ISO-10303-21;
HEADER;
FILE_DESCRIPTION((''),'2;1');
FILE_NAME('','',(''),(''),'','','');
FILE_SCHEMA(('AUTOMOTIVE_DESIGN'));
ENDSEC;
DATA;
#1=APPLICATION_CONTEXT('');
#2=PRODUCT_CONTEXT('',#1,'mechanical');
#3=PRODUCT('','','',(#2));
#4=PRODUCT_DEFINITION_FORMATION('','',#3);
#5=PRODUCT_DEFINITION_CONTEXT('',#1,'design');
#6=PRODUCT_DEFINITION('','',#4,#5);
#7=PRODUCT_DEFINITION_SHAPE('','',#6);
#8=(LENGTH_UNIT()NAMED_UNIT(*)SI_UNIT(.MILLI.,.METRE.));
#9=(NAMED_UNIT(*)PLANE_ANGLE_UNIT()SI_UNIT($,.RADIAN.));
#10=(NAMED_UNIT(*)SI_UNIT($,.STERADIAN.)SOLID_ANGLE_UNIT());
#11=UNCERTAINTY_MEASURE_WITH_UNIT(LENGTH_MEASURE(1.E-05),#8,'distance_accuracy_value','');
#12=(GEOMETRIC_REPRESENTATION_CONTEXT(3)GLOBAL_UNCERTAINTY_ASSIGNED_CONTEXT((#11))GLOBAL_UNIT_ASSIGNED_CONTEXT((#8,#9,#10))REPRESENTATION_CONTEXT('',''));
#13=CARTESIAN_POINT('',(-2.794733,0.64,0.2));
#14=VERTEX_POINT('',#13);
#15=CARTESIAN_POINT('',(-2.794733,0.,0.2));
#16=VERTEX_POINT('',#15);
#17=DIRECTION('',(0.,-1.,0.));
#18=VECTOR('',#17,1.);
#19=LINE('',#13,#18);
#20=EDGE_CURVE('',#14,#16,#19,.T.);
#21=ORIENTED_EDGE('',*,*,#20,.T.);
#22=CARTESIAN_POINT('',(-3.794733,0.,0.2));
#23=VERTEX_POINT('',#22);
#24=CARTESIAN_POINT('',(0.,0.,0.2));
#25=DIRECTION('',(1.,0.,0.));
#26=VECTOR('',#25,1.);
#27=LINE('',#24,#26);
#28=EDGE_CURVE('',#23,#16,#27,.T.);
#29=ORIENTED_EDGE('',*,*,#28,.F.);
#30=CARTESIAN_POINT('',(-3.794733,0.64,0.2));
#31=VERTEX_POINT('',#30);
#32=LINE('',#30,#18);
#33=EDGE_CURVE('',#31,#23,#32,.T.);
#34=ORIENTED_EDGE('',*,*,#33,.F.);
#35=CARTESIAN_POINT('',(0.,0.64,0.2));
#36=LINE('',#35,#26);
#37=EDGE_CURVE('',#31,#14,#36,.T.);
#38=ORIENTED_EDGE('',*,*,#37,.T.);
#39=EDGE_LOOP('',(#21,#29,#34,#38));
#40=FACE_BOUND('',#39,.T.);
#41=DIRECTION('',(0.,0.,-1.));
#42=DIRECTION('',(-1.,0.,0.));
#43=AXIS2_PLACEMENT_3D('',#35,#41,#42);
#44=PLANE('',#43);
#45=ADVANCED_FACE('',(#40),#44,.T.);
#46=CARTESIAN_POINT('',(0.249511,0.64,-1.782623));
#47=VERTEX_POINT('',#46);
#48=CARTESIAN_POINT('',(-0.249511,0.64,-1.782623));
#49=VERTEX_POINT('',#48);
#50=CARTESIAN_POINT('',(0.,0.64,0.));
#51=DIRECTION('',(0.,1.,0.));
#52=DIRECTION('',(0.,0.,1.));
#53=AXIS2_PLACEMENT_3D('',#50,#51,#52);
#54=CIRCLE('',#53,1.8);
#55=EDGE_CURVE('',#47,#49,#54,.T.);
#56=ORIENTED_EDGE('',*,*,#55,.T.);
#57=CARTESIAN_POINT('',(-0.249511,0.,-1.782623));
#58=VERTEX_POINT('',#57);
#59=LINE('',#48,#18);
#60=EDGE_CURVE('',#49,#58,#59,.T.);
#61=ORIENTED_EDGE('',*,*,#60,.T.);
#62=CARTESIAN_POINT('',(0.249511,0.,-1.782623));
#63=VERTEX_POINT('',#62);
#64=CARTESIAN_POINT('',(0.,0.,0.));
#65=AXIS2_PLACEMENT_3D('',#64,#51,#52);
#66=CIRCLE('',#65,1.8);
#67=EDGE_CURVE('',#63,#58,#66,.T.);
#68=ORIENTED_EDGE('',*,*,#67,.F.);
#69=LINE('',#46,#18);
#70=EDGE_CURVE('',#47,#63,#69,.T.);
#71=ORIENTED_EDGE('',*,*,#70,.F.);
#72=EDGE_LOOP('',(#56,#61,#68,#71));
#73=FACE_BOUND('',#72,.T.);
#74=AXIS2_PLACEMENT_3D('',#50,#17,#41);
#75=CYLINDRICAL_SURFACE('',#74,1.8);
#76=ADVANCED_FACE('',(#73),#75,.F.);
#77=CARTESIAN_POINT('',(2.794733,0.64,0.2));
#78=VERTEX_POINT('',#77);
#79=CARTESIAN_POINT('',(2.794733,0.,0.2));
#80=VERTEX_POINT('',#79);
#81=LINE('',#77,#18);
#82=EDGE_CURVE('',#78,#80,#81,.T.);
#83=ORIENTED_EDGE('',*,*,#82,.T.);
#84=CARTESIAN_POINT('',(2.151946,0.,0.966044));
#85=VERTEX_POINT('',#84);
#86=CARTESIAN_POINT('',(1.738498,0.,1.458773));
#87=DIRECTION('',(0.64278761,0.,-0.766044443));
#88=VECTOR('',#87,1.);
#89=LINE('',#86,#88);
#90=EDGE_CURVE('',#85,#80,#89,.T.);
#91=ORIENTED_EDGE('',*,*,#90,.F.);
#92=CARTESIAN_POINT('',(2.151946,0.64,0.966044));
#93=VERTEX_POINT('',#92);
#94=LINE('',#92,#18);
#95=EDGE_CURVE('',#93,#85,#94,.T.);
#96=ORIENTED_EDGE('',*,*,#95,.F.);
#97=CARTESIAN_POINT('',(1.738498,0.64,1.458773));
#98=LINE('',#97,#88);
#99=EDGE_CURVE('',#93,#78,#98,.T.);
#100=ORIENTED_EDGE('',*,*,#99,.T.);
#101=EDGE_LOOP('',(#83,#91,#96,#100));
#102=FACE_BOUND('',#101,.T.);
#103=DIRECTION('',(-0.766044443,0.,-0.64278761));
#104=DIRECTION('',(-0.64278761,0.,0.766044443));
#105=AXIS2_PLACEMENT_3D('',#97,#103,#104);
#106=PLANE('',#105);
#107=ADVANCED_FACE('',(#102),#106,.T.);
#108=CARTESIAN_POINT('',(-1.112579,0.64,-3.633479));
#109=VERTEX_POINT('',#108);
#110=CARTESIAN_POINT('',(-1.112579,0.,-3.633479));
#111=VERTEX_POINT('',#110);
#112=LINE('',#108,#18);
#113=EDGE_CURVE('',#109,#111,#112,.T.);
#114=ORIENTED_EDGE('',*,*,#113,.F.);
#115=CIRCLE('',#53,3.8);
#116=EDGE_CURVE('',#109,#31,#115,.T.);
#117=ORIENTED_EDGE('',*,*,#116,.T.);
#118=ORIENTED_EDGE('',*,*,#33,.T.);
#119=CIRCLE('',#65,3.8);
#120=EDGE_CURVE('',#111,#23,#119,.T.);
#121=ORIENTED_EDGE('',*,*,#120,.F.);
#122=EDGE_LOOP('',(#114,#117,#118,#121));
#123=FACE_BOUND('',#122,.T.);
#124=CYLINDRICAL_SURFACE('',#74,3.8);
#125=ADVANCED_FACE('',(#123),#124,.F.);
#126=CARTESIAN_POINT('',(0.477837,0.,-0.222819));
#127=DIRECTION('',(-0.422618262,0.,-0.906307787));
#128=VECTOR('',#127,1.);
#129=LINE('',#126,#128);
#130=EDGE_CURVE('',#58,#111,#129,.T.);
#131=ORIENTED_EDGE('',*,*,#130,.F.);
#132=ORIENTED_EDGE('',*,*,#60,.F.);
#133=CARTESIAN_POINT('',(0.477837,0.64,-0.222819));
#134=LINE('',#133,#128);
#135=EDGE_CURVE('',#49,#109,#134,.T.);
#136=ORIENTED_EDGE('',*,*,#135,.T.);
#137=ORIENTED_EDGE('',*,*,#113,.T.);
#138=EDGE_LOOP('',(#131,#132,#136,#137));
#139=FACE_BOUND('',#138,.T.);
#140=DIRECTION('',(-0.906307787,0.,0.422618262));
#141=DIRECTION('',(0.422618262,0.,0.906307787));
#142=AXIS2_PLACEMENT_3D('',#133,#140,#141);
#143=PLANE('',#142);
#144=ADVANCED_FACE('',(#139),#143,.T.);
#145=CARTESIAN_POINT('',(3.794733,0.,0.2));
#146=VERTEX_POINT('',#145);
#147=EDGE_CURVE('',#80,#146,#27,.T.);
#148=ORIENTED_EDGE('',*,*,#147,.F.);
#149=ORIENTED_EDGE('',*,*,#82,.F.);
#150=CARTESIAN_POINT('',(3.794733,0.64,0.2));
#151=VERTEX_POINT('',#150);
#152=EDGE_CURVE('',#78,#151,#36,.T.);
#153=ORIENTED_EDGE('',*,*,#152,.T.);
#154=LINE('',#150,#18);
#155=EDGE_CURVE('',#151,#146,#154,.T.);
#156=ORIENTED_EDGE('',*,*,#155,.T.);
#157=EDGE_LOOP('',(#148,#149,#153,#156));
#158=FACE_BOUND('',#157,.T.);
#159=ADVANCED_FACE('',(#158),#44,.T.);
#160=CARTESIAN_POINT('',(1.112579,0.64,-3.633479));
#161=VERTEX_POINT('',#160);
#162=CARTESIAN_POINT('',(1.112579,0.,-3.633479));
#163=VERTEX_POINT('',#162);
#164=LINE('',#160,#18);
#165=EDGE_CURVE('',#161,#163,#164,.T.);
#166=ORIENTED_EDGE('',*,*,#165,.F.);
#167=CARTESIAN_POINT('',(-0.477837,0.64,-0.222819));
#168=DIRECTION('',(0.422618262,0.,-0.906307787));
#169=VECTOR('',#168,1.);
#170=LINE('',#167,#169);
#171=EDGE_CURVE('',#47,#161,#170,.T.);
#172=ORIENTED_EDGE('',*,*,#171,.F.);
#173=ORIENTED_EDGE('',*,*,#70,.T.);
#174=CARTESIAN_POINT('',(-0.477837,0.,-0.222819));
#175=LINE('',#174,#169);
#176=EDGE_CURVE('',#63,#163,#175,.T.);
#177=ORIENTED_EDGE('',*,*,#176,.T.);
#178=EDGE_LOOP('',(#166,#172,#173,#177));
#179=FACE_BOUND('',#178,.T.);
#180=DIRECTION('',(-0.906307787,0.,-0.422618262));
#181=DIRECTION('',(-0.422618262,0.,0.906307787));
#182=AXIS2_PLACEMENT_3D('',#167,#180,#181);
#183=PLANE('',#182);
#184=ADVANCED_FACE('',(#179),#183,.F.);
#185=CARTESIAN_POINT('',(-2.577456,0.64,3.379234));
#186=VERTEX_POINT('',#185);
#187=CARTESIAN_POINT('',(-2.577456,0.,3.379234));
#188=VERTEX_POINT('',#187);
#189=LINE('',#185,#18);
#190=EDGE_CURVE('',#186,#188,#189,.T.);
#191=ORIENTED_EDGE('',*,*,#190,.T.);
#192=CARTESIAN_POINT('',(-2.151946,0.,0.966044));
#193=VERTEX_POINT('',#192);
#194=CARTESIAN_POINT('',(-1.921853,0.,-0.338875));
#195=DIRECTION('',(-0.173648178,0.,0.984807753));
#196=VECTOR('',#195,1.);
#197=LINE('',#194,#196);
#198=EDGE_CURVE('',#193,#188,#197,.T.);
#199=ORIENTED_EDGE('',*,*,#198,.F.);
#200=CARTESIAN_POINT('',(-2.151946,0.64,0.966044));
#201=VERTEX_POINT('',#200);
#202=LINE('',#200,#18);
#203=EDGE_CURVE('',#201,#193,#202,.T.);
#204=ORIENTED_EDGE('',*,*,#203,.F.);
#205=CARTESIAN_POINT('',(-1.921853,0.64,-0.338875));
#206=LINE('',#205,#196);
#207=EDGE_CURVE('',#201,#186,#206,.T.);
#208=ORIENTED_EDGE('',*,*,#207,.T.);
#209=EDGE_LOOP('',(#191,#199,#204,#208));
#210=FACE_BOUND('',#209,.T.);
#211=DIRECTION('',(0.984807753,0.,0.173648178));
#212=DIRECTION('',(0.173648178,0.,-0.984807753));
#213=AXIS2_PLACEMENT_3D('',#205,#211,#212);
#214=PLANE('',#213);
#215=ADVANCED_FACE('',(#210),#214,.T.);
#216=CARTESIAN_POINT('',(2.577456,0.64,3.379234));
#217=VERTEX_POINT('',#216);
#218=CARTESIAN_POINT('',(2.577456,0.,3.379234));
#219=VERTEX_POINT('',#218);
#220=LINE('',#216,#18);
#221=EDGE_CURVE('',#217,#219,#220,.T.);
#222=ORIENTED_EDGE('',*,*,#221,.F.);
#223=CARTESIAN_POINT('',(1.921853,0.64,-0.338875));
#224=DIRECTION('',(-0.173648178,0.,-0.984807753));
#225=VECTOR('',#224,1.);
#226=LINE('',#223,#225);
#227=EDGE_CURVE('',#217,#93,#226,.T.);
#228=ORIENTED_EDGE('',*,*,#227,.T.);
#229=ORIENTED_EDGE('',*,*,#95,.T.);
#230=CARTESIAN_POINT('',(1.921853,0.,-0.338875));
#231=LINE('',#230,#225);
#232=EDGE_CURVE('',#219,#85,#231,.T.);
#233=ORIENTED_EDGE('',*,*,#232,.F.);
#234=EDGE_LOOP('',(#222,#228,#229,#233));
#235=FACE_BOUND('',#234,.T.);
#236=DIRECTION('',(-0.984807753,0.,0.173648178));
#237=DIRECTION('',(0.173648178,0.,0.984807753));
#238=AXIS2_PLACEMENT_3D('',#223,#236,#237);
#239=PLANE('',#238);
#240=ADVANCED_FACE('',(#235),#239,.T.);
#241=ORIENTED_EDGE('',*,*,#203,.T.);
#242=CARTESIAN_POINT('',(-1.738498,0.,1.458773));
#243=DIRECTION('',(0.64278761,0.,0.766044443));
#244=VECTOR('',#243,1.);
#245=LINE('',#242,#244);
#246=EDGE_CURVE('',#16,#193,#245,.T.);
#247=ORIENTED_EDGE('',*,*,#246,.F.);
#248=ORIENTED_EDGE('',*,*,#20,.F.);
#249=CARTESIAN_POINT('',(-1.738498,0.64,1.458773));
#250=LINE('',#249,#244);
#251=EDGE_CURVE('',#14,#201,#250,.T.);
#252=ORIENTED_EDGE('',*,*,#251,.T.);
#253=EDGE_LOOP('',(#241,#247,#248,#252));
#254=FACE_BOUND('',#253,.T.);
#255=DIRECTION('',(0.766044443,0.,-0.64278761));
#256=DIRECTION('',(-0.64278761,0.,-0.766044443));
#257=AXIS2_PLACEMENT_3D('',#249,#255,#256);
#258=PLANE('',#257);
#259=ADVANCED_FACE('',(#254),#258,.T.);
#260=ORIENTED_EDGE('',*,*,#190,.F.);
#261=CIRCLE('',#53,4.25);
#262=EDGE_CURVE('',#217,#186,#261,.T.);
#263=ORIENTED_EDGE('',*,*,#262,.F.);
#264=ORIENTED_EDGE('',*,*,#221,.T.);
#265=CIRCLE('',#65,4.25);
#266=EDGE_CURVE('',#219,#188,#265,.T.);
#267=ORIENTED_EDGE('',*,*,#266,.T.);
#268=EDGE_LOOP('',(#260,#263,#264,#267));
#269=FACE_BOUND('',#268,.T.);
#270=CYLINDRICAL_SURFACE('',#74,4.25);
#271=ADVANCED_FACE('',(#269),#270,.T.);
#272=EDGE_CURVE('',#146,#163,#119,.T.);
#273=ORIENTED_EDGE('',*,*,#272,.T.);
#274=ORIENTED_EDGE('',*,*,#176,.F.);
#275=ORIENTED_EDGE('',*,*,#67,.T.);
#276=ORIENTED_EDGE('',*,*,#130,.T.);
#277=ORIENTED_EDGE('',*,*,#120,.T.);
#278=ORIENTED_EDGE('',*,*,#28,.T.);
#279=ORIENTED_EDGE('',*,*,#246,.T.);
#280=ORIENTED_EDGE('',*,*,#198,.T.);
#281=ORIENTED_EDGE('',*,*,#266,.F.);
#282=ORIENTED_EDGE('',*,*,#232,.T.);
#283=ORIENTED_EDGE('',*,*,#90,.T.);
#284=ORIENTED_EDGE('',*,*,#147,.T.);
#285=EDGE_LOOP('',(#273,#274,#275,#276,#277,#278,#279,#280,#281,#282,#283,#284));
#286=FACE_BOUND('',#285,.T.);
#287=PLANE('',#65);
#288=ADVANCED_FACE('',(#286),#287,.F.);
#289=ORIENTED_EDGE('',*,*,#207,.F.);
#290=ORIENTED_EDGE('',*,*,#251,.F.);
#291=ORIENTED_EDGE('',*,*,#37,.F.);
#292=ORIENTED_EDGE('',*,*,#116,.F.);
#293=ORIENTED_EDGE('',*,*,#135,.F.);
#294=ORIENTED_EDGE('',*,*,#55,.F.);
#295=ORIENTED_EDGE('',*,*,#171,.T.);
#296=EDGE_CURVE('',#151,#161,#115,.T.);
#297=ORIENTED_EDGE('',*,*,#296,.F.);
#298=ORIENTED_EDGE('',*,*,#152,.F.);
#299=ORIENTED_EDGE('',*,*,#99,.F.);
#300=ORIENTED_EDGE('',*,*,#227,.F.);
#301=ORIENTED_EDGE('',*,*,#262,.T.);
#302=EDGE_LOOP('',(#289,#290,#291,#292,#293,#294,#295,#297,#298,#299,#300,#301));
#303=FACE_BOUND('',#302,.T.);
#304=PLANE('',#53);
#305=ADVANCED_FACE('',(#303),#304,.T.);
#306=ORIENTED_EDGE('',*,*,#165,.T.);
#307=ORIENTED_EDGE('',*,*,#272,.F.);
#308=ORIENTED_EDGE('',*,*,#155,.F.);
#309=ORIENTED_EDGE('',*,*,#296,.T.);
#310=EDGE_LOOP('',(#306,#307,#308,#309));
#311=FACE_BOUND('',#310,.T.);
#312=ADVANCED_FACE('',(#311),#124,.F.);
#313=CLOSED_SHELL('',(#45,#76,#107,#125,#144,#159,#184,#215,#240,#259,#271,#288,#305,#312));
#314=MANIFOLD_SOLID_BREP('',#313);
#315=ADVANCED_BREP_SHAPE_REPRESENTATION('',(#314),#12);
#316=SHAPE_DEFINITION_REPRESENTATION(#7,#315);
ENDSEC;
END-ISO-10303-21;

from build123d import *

# Parameters (mm, degrees)
BOSS_EXTRUDE1_DEPTH = 0.64


with BuildPart() as part:
    # Sketch1 → Boss-Extrude1 (new body)
    with BuildSketch(Plane(origin=(0, 0, 0), x_dir=(1, 0, 0), z_dir=(0, 1, 0))):
        with BuildLine():
            Line((-1.112579474, 3.633478624), (-0.249511241, 1.782622826))
            ThreePointArc((-0.249511241, 1.782622826), (0, 1.8), (0.249511241, 1.782622826))
            Line((0.249511241, 1.782622826), (1.112579474, 3.633478624))
            ThreePointArc((1.112579474, 3.633478624), (2.774739275, 2.596309295), (3.699307386, 0.868979208))
            ThreePointArc((3.699307386, 0.868979208), (3.784949165, 0.337875445), (3.794733192, -0.2))
            Line((3.794733192, -0.2), (2.794733192, -0.2))
            Line((2.794733192, -0.2), (2.151945583, -0.966044443))
            Line((2.151945583, -0.966044443), (2.57594692, -3.370675522))
            Line((2.57594692, -3.370675522), (2.577455967, -3.37923375))
            ThreePointArc((2.577455967, -3.37923375), (0, 4.25), (-2.577455967, -3.37923375))
            Line((-2.577455967, -3.37923375), (-2.576768139, -3.375332886))
            Line((-2.576768139, -3.375332886), (-2.151945583, -0.966044443))
            Line((-2.151945583, -0.966044443), (-2.794733192, -0.2))
            Line((-2.794733192, -0.2), (-3.794733192, -0.2))
            ThreePointArc((-3.794733192, -0.2), (-3.784949165, 0.337875445), (-3.699307386, 0.868979208))
            ThreePointArc((-3.699307386, 0.868979208), (-2.774739275, 2.596309295), (-1.112579474, 3.633478624))
        make_face()
    extrude(amount=BOSS_EXTRUDE1_DEPTH)


solid = part.part
